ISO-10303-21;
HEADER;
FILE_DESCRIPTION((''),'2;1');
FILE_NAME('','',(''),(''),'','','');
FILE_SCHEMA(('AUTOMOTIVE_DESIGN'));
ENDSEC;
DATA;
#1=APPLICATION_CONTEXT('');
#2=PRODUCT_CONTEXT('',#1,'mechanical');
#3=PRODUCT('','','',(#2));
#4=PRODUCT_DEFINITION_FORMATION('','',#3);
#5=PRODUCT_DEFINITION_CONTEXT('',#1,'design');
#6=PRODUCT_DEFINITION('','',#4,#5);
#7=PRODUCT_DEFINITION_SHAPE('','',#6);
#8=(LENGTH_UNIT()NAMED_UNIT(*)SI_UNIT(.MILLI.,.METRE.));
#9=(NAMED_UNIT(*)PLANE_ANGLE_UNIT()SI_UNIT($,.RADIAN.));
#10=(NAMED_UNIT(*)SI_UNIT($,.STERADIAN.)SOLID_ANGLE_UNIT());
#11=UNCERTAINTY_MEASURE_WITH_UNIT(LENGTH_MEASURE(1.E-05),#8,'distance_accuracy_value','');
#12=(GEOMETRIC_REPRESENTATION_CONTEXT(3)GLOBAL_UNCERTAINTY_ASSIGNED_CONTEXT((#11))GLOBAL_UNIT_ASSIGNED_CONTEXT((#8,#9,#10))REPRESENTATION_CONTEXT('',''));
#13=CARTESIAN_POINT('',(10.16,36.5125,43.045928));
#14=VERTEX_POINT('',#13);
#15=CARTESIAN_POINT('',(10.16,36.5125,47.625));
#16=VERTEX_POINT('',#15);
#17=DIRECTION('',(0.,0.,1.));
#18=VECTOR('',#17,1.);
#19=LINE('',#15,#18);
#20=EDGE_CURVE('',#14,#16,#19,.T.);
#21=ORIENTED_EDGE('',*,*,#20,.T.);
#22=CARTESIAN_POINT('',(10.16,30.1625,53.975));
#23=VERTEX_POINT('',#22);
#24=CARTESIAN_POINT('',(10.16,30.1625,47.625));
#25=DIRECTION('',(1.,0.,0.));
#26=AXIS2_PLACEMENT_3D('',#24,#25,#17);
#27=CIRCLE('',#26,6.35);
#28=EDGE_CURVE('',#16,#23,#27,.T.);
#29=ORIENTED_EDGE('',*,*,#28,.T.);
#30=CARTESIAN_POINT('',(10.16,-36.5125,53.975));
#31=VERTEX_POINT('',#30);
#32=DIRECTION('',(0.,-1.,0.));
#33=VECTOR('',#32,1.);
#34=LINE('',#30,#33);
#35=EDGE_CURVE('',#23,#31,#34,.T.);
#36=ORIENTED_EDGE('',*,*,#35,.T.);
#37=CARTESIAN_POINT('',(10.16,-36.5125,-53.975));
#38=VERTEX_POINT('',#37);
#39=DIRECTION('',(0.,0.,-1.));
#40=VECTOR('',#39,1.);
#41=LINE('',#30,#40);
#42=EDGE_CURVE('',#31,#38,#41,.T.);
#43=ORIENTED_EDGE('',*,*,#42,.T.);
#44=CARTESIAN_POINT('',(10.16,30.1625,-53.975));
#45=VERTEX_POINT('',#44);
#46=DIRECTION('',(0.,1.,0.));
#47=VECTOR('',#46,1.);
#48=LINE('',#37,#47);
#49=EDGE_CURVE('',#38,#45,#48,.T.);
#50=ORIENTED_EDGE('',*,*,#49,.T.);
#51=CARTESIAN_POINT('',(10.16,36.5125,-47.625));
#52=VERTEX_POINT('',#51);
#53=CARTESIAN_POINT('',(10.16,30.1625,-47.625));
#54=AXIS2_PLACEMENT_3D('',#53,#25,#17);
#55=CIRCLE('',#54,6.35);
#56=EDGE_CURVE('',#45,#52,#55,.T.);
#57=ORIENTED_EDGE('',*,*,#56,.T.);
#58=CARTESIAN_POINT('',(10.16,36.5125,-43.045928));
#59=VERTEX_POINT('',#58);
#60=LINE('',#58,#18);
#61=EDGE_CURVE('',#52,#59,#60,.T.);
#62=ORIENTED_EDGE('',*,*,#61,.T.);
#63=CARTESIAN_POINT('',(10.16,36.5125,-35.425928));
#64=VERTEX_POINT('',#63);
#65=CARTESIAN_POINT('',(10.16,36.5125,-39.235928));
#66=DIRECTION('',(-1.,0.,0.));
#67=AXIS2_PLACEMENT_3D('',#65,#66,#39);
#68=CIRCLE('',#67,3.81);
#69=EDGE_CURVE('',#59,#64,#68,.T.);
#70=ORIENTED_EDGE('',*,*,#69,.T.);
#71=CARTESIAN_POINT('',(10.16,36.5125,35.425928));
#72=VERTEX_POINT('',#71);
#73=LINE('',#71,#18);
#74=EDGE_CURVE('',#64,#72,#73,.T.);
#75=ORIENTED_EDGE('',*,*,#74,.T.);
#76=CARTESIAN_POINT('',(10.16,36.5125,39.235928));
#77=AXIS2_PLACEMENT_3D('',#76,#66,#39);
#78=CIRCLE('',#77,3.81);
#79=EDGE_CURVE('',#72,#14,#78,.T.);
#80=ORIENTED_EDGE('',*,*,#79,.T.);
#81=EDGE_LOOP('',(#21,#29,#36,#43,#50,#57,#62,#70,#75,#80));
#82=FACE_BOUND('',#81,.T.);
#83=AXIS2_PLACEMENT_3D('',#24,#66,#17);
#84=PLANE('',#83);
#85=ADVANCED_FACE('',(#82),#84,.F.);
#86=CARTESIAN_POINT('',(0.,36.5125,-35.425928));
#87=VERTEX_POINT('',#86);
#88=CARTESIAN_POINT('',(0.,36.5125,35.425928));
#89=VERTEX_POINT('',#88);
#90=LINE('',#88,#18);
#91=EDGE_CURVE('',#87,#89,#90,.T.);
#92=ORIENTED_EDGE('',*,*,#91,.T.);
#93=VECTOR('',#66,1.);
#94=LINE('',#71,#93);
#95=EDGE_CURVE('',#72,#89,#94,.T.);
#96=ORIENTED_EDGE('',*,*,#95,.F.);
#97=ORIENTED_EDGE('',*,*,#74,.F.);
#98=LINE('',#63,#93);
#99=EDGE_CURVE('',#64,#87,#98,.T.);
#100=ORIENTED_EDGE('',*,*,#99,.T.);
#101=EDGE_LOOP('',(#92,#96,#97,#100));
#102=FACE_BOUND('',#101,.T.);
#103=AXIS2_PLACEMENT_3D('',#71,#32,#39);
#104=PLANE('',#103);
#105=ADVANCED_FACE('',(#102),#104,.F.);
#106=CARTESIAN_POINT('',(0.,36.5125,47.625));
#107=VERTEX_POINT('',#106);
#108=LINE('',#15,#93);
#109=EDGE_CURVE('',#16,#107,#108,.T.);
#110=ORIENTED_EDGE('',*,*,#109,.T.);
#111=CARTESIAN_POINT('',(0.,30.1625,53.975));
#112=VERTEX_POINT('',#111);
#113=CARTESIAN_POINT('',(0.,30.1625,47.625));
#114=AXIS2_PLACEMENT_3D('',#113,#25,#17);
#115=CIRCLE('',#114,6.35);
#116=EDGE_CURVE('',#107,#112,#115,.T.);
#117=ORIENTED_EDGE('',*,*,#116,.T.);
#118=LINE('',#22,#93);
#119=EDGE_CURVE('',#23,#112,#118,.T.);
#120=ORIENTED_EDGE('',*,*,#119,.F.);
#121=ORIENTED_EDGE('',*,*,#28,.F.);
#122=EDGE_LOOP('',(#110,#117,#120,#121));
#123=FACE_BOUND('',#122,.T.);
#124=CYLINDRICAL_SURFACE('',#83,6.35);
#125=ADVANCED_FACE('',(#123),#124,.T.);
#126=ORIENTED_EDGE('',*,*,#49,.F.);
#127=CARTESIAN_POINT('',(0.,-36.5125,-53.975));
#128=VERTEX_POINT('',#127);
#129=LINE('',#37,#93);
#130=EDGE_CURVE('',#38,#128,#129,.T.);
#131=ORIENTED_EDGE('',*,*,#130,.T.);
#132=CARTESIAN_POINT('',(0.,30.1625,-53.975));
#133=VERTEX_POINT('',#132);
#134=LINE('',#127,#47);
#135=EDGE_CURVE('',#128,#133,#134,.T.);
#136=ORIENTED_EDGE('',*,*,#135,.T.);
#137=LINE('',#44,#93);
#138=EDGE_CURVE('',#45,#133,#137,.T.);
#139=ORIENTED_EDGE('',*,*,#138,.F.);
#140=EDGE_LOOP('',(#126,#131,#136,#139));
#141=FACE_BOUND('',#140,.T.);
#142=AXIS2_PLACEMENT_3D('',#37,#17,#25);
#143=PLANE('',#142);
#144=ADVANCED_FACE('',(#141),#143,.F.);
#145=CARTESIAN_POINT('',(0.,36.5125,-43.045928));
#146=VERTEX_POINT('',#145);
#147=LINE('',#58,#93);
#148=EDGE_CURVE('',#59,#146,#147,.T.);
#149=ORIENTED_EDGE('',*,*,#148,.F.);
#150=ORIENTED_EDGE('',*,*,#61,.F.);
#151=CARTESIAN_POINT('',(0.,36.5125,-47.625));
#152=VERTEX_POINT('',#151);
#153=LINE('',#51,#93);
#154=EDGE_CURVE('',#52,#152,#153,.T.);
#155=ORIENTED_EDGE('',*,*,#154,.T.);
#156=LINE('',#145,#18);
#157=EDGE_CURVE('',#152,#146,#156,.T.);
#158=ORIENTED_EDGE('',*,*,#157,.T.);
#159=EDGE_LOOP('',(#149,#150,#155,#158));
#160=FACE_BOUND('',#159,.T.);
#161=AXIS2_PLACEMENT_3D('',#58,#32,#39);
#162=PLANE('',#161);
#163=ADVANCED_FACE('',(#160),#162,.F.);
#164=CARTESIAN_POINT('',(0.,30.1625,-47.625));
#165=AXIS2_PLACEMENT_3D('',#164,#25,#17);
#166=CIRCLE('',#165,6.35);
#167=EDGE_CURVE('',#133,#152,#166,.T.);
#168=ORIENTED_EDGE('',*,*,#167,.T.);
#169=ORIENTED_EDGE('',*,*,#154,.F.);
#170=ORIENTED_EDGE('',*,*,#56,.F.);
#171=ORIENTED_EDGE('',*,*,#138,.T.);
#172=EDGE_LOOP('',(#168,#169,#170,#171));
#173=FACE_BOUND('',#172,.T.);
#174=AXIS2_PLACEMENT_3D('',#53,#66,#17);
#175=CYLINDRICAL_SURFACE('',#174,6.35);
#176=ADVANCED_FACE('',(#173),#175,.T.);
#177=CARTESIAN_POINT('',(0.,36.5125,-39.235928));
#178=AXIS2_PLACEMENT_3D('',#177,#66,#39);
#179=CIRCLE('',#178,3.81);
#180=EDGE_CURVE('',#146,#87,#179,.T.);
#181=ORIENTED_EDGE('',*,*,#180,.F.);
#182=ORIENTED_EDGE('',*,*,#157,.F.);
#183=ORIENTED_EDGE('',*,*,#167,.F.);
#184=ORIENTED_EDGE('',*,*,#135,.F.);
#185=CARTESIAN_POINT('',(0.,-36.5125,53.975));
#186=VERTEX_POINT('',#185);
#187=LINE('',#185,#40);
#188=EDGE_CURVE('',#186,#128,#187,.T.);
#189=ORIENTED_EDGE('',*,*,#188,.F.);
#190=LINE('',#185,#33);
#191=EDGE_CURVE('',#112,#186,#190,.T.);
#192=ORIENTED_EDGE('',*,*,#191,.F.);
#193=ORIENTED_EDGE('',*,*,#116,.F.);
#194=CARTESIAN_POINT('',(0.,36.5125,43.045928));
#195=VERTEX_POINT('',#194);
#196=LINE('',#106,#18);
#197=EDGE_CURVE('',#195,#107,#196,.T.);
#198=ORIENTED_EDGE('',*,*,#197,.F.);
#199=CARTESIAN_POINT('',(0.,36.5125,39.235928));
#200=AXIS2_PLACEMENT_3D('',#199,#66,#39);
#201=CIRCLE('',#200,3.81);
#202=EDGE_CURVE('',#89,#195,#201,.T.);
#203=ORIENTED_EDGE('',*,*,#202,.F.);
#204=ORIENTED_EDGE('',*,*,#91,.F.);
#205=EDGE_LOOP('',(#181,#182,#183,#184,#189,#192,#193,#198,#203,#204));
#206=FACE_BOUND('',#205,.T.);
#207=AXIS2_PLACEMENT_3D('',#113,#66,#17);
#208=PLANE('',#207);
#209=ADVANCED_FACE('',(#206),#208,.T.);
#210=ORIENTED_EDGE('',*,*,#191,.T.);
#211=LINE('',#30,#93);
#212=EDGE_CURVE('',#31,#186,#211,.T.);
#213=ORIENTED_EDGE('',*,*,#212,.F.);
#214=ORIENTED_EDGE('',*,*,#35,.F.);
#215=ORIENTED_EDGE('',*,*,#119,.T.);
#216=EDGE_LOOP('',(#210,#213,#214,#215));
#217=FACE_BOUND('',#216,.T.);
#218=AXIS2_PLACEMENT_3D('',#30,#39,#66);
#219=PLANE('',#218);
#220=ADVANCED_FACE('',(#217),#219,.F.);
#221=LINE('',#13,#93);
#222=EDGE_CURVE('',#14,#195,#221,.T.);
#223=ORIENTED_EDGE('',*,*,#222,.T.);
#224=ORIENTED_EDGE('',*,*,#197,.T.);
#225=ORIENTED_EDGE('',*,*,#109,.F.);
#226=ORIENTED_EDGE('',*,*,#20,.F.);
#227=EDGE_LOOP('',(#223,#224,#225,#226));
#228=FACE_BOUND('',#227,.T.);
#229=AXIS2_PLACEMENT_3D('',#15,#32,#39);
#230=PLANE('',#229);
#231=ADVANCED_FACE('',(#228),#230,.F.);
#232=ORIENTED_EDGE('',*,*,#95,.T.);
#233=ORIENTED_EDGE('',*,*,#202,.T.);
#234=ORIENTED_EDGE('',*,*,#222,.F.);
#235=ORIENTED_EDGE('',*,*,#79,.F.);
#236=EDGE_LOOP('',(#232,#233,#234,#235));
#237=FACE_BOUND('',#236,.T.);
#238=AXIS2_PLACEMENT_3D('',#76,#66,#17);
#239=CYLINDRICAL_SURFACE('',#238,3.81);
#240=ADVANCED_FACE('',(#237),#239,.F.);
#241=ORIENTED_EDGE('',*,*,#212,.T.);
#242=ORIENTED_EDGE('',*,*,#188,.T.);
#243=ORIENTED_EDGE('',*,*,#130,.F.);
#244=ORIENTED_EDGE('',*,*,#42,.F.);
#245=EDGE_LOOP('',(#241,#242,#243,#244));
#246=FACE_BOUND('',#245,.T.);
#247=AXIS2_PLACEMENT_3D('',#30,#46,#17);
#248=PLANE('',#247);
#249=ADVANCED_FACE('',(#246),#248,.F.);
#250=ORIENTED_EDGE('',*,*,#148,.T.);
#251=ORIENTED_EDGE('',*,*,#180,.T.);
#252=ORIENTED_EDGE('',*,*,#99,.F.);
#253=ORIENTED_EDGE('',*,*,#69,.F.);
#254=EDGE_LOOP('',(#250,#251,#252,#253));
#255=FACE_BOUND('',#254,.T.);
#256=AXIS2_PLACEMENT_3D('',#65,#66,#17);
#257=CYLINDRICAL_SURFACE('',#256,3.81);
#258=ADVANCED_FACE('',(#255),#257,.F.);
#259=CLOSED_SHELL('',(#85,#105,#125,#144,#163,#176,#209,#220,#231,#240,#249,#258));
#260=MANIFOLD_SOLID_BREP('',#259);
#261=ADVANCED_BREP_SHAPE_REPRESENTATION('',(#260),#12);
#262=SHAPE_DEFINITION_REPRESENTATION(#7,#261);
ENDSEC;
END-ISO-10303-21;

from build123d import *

# Parameters (mm, degrees)
BOSS_EXTRUDE1_DEPTH = 10.16


with BuildPart() as part:
    # Sketch1 → Boss-Extrude1 (new body)
    with BuildSketch(Plane(origin=(0, 0, 0), x_dir=(0, 0, -1), z_dir=(1, 0, 0))):
        with BuildLine():
            Line((-53.975, -36.5125), (53.975, -36.5125))
            Line((53.975, -36.5125), (53.975, 30.1625))
            ThreePointArc((53.975, 30.1625), (52.115128061, 34.652628061), (47.625, 36.5125))
            Line((47.625, 36.5125), (43.045928132, 36.5125))
            ThreePointArc((43.045928132, 36.5125), (39.235928132, 32.7025), (35.425928132, 36.5125))
            Line((35.425928132, 36.5125), (-35.425928132, 36.5125))
            ThreePointArc((-35.425928132, 36.5125), (-39.235928132, 32.7025), (-43.045928132, 36.5125))
            Line((-43.045928132, 36.5125), (-47.625, 36.5125))
            ThreePointArc((-47.625, 36.5125), (-52.115128061, 34.652628061), (-53.975, 30.1625))
            Line((-53.975, 30.1625), (-53.975, -36.5125))
        make_face()
    extrude(amount=BOSS_EXTRUDE1_DEPTH)


solid = part.part
